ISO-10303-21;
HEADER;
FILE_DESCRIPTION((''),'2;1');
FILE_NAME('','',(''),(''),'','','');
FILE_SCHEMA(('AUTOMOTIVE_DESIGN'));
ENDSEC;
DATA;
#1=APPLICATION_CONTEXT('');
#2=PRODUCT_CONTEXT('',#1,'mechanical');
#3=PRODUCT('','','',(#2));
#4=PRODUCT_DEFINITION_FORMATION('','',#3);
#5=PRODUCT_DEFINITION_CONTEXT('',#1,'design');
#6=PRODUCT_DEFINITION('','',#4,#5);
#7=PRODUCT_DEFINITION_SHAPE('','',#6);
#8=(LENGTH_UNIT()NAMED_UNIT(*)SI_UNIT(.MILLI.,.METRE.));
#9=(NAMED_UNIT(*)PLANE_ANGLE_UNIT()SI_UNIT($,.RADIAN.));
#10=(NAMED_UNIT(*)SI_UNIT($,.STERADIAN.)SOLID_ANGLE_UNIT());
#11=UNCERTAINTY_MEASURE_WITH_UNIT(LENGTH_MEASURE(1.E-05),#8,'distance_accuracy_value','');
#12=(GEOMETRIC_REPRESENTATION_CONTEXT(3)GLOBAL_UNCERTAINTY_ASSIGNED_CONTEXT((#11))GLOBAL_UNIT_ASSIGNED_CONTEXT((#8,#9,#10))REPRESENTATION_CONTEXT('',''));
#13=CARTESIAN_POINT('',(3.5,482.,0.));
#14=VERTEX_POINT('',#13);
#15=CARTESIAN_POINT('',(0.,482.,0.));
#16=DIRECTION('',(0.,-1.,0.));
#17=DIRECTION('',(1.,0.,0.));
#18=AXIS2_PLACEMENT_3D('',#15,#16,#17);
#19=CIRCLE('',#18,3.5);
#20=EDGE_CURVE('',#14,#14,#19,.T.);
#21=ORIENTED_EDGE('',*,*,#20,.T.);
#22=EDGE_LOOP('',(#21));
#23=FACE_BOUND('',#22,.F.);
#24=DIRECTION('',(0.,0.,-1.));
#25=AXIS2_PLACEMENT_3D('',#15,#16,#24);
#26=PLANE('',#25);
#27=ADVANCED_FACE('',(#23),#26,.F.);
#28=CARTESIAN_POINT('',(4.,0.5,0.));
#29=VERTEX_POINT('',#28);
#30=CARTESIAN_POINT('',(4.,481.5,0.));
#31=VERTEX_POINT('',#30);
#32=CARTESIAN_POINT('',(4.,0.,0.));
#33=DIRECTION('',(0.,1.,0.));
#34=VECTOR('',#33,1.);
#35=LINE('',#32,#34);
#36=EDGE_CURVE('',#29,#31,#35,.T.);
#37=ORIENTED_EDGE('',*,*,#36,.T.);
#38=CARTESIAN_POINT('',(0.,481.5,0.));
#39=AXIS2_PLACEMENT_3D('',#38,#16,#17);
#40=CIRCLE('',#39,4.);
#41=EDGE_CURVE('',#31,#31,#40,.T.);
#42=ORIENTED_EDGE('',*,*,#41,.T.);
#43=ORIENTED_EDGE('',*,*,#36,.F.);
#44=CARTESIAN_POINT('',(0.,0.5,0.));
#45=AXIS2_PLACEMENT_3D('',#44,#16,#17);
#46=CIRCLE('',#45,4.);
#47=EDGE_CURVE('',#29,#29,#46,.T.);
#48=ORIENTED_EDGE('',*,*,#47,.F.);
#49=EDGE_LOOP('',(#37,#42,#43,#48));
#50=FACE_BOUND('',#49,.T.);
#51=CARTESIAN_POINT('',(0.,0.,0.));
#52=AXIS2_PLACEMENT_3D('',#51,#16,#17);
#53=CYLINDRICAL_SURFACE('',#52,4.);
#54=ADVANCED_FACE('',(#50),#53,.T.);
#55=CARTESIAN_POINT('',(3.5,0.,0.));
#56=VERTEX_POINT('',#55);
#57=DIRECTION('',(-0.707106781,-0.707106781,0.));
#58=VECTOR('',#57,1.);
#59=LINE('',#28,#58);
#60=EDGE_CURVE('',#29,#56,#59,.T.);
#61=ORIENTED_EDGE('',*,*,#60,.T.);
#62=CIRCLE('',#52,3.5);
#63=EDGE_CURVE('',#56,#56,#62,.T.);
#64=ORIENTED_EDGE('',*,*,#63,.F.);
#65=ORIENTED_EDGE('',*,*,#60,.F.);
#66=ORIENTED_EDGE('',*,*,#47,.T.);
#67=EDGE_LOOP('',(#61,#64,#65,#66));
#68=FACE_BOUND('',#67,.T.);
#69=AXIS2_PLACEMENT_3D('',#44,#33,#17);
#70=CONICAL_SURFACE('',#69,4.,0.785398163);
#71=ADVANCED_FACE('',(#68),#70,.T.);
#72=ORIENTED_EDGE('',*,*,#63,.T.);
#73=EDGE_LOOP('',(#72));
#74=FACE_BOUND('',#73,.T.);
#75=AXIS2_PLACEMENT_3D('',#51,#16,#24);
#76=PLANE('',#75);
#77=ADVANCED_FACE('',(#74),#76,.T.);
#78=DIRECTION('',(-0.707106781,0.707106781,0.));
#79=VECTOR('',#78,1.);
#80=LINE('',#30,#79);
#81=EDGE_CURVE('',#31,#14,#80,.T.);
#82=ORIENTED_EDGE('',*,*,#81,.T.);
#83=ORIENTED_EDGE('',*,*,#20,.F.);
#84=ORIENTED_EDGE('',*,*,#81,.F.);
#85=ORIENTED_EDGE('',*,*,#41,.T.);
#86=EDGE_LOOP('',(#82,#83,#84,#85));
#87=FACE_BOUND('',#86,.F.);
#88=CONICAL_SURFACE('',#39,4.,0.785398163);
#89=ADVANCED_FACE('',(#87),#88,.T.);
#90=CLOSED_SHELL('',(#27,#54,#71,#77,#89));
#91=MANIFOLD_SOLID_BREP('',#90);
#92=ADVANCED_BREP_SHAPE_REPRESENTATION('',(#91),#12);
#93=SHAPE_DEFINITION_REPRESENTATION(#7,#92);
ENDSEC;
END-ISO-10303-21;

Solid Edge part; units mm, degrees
sketch "Sketch1" plane through (0, 0, 0) normal (0, -1, 0) x (1, 0, 0)
  circle A0 centre (0, 0) radius 4
extrude "Protrusion1" add sketch "Sketch1" against normal blind 482
chamfer "Chamfer_1" distance 0.5 angle 45 2 edges at (-4, 0, 0) (-4, 482, 0)
